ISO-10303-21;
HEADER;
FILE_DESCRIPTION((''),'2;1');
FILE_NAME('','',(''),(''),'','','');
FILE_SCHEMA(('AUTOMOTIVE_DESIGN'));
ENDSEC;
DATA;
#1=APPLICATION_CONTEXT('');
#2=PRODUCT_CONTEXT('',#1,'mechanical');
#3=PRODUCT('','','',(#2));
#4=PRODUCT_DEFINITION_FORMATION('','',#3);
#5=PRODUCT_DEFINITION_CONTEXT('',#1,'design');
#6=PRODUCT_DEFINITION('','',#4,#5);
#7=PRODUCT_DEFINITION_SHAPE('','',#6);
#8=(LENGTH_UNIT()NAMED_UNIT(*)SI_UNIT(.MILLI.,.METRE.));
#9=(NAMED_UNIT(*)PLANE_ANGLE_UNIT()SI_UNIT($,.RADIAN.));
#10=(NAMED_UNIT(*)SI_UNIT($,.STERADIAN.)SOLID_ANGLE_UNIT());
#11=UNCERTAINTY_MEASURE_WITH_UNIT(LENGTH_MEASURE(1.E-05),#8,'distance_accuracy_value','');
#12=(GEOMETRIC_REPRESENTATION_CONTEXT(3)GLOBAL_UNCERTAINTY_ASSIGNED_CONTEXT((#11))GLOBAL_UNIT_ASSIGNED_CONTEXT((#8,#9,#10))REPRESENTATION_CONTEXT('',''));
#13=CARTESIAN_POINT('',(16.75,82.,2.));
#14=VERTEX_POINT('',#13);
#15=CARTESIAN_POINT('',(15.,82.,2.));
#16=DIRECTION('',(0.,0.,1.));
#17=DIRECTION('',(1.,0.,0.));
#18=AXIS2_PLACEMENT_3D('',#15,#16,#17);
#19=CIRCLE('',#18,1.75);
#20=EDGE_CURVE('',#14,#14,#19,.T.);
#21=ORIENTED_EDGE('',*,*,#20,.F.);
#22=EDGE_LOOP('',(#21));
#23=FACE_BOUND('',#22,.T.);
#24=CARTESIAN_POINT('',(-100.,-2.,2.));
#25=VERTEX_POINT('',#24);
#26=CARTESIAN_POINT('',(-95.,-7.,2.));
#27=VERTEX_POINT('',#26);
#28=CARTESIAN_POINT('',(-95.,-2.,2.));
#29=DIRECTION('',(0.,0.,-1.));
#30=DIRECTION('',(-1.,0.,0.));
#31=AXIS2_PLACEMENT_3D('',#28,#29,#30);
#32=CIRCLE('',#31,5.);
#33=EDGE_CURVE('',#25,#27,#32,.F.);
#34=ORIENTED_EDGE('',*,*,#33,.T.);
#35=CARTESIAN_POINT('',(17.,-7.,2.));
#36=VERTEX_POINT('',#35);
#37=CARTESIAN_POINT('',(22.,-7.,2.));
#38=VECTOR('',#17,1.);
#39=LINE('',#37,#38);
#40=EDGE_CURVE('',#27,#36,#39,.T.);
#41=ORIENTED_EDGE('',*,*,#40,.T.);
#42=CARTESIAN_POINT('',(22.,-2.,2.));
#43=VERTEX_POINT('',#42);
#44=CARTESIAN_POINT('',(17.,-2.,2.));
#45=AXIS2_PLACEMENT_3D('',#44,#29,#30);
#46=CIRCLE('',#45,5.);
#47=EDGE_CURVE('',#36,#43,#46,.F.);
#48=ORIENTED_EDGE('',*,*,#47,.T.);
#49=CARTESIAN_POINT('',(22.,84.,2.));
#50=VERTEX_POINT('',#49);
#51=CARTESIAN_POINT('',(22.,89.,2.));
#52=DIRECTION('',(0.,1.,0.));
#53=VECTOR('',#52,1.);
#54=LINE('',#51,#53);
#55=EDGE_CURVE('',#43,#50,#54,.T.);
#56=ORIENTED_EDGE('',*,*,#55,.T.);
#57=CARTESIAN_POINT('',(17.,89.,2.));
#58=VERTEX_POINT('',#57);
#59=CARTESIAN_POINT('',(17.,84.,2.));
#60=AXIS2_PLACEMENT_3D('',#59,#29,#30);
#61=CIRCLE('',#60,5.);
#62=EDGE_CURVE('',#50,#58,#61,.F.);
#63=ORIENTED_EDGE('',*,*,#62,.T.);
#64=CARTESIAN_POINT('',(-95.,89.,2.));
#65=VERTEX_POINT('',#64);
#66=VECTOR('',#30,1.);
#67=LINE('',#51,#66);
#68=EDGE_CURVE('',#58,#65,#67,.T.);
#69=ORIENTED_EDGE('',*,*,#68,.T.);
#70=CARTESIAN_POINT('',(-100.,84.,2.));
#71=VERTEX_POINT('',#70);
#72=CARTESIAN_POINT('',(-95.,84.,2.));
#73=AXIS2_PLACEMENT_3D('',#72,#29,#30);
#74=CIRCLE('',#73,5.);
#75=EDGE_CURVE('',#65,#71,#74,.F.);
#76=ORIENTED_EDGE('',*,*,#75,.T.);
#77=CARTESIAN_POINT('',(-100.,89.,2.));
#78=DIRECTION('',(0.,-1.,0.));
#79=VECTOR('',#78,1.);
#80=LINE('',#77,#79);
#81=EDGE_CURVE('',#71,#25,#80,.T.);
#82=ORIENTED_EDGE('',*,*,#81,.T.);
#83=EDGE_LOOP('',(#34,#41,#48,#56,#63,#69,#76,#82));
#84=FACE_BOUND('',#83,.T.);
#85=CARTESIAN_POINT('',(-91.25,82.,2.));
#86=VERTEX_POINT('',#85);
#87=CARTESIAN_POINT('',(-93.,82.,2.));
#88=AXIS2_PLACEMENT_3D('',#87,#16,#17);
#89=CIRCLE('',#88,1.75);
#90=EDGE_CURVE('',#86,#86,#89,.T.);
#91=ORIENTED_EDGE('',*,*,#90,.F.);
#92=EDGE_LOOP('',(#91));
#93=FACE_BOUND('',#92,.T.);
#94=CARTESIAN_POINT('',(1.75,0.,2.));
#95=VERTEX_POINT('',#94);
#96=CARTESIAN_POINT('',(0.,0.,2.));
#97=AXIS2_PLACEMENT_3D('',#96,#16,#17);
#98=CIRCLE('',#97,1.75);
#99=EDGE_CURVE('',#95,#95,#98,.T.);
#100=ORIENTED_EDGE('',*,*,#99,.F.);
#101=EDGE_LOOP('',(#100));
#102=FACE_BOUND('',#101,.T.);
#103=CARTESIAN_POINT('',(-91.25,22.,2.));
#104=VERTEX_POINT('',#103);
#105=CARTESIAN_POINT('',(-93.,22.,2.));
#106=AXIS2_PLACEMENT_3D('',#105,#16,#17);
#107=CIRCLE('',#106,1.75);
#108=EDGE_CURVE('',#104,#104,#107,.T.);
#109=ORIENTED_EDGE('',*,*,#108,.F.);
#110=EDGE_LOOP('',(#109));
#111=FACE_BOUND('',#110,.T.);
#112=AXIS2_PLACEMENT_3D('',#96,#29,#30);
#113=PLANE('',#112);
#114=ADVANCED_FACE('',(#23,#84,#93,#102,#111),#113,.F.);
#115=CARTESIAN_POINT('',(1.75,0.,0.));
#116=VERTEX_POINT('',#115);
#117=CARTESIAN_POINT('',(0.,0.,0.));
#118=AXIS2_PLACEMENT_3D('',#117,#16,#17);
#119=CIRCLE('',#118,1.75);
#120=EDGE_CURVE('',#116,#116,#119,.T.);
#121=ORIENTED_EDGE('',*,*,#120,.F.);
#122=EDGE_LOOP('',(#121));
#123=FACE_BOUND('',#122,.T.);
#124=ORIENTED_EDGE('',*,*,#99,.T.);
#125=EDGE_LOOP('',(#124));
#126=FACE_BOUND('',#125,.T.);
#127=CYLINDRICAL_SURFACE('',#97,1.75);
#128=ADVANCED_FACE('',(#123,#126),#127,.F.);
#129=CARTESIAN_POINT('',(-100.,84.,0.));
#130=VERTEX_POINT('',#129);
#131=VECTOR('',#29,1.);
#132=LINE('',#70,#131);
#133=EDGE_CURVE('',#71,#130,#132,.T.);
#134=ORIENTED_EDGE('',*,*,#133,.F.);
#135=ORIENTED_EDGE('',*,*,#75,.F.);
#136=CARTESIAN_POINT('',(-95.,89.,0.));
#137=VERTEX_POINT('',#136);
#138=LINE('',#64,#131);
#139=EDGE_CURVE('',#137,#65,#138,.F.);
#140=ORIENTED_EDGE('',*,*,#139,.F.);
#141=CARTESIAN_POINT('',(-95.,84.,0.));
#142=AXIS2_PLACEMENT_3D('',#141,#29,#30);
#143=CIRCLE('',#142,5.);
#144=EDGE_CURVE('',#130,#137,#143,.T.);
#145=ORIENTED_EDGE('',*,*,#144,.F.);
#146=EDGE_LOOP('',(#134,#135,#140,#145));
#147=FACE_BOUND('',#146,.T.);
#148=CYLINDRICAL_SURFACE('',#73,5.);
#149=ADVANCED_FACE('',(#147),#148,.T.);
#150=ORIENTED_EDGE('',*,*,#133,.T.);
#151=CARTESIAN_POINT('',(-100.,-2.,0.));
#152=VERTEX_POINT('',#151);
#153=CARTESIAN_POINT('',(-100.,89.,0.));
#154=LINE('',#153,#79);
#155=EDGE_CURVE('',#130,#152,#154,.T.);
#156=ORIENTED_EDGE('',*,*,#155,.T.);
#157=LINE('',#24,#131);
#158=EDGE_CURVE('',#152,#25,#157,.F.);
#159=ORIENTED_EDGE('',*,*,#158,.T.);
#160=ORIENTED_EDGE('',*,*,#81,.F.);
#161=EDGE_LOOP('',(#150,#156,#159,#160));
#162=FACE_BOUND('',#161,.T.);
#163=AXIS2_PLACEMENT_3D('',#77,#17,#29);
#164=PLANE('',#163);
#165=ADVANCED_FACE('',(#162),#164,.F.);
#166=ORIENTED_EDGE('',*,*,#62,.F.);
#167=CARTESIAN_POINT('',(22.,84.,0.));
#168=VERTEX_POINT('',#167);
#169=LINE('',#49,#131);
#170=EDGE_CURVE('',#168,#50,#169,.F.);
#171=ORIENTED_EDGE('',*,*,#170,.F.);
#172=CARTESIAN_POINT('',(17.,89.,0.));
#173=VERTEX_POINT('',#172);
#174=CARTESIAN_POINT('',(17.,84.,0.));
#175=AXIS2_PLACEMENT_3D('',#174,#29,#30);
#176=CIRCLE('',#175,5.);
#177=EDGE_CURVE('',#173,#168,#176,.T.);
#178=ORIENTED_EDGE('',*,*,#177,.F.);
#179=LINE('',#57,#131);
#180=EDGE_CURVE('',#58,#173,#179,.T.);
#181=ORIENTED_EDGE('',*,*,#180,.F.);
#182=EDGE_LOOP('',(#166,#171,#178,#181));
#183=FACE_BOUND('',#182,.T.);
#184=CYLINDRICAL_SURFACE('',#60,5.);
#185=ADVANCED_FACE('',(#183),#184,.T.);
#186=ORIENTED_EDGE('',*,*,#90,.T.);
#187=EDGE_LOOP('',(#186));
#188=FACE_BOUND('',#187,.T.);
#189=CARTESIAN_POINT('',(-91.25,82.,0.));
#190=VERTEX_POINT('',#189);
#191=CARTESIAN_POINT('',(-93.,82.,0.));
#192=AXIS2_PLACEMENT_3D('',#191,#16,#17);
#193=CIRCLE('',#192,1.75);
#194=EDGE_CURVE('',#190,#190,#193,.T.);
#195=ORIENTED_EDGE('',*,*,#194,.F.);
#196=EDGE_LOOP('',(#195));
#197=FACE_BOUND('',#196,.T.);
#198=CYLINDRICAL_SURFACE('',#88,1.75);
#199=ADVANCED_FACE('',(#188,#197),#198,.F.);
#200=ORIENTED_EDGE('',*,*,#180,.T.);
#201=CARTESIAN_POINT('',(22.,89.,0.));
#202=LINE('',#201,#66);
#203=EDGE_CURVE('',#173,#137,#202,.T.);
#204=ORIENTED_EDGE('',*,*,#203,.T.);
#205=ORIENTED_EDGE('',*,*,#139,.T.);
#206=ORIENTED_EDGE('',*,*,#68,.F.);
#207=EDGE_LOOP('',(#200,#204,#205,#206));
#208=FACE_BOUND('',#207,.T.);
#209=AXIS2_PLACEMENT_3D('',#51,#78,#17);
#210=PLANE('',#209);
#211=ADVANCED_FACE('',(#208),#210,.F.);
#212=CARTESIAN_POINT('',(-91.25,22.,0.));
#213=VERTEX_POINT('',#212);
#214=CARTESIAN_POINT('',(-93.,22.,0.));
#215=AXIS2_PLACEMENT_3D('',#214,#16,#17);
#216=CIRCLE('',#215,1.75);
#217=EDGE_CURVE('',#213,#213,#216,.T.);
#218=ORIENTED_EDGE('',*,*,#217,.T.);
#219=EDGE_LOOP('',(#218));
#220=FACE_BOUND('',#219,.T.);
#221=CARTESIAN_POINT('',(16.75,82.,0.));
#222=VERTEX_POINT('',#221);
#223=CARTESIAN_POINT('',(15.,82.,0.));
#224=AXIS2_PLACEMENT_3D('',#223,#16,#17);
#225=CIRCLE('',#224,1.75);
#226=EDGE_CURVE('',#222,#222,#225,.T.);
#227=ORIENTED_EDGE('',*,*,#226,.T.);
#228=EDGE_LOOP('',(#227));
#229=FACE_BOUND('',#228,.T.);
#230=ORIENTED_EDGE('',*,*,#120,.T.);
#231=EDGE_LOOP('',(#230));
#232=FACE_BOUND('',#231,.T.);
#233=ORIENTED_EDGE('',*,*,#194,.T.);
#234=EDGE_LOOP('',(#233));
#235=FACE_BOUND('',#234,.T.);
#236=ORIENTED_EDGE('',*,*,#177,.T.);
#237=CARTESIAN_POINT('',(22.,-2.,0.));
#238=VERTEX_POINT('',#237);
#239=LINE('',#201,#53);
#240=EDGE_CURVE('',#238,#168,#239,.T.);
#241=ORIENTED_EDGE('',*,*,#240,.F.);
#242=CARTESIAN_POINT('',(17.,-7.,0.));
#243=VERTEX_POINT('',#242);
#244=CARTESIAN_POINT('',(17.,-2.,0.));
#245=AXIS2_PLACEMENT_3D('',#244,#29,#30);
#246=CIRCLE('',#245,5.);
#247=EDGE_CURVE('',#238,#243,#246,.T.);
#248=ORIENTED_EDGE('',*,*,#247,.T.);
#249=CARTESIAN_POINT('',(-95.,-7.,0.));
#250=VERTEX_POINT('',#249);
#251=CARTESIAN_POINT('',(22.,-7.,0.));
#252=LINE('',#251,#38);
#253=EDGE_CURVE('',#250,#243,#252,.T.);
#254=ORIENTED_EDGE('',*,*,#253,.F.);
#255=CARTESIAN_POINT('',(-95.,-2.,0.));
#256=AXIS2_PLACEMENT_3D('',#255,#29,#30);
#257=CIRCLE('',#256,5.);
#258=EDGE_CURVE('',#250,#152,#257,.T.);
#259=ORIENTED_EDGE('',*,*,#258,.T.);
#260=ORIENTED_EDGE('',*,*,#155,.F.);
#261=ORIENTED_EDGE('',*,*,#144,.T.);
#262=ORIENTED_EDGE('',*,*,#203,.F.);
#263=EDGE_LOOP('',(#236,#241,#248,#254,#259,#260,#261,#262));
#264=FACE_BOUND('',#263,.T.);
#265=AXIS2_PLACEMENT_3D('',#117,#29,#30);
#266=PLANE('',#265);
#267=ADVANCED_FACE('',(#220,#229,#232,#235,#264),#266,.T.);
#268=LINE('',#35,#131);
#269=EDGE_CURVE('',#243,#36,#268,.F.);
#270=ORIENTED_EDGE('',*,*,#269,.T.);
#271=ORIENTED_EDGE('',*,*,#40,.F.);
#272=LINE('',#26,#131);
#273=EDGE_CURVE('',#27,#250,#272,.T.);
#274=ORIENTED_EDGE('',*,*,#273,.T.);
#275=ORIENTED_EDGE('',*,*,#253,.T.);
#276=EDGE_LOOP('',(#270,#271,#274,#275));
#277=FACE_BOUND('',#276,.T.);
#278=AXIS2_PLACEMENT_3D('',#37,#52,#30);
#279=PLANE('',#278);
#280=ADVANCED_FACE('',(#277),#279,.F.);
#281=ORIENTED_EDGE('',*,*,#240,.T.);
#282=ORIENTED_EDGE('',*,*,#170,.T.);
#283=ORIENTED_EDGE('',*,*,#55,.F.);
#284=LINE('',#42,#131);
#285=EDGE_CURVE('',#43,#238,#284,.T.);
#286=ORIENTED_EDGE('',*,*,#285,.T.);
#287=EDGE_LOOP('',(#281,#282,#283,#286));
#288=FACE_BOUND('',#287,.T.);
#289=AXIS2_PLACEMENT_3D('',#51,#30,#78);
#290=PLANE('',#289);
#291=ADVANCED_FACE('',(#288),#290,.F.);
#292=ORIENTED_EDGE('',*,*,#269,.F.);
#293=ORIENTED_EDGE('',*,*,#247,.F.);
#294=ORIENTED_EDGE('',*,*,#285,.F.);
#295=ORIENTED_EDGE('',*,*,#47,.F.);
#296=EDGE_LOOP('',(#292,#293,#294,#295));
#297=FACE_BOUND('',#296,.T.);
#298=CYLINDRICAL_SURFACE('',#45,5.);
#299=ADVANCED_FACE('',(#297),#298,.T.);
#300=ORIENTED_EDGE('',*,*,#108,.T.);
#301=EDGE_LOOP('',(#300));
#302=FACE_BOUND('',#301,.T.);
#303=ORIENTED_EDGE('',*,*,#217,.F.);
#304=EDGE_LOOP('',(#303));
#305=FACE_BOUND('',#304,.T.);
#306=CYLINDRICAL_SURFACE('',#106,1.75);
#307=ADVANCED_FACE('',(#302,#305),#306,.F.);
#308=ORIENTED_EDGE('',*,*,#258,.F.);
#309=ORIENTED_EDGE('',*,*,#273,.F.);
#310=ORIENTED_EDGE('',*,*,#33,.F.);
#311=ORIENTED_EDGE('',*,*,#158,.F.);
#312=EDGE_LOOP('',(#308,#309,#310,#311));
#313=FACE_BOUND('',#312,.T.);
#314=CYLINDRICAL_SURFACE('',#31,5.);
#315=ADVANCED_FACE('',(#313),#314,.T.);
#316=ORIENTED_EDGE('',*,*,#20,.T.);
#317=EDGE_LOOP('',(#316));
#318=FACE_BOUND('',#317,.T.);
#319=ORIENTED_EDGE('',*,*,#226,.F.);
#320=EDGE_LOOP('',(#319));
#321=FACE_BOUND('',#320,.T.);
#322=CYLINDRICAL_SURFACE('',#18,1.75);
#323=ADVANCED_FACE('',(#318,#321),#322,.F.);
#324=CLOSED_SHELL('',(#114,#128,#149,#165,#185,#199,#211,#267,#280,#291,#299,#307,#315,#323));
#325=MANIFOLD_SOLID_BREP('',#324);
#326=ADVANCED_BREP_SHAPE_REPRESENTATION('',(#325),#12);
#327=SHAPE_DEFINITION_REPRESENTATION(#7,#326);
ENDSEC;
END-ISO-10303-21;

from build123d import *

# Parameters (mm, degrees)
SKETCH1_W                  = 122
SKETCH1_H                  = 96
BOSS_EXTRUDE1_DEPTH        = 2
F_3_5_3_5_DIAMETER_HOLE1_D = 3.5
FILLET1_R                  = 5


with BuildPart() as part:
    # Sketch1 → Boss-Extrude1 (new body)
    with BuildSketch(Plane.XY):
        with Locations((-39, 41)):
            Rectangle(SKETCH1_W, SKETCH1_H)
    extrude(amount=BOSS_EXTRUDE1_DEPTH)

    # Ø3.5 (3.5) Diameter Hole1 (through all)
    with Locations(Plane.XY.offset(2)):
        with Locations((0, 0), (15, 82), (-93, 82), (-93, 22)):
            Hole(F_3_5_3_5_DIAMETER_HOLE1_D / 2)

    # Fillet1
    fillet1_edges = [part.edges().sort_by_distance(p)[0] for p in [
        (-100, 89, 1),
        (22, 89, 1),
        (22, -7, 1),
        (-100, -7, 1),
    ]]
    fillet(fillet1_edges, radius=FILLET1_R)


solid = part.part
